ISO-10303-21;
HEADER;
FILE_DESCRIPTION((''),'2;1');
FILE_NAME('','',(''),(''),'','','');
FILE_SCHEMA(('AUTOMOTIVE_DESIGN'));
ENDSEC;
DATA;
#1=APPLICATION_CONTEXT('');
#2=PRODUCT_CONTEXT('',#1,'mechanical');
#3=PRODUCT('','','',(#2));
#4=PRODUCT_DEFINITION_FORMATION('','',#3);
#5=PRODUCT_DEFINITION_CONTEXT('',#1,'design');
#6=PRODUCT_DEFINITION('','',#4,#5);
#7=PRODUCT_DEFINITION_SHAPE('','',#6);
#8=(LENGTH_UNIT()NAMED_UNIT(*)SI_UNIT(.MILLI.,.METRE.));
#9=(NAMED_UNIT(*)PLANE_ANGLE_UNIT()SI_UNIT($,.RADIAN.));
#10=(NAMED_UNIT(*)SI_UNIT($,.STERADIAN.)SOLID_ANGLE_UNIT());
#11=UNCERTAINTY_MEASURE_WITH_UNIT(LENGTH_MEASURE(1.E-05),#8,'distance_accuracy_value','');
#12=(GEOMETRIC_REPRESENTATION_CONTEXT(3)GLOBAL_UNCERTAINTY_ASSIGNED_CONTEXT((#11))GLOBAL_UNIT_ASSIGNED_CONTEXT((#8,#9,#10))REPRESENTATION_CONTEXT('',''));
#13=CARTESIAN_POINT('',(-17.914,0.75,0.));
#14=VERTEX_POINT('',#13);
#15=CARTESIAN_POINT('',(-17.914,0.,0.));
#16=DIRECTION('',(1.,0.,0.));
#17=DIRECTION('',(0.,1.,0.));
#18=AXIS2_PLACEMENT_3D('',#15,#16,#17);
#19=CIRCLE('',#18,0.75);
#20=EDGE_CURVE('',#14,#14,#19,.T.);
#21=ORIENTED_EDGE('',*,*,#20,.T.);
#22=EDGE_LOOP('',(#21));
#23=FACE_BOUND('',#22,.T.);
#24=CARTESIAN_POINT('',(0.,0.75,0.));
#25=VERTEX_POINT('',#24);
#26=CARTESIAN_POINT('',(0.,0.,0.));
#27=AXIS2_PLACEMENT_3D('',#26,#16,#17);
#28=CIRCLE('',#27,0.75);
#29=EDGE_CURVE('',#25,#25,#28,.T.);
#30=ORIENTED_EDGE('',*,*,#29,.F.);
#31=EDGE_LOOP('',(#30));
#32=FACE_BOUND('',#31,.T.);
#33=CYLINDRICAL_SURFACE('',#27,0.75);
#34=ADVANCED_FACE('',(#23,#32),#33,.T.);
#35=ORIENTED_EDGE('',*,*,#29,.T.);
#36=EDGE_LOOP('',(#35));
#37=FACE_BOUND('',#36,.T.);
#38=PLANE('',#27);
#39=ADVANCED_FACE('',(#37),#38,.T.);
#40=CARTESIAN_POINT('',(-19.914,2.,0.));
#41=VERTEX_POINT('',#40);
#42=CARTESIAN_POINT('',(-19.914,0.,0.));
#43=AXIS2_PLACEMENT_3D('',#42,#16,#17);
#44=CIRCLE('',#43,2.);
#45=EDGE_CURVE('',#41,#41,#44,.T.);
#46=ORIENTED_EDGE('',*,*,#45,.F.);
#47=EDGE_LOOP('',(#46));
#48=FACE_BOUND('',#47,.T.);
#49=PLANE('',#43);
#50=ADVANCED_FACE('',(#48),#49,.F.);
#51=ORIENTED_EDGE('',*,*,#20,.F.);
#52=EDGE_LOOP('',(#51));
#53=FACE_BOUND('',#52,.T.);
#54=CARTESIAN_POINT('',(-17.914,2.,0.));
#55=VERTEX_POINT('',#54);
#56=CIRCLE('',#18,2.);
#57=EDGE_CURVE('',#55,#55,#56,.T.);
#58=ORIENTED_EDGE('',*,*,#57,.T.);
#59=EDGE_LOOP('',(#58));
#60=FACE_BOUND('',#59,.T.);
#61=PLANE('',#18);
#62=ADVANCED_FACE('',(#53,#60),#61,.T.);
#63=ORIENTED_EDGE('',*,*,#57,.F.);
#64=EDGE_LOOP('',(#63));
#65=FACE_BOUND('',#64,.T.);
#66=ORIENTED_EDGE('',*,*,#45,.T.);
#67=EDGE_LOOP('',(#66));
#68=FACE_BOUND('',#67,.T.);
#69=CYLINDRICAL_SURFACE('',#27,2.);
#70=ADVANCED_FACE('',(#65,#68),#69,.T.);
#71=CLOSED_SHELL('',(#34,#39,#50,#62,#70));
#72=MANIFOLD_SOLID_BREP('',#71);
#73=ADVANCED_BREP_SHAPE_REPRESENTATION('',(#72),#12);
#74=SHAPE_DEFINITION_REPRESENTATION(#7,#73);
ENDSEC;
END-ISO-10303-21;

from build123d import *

# Parameters (mm, degrees)
SKETCH1_W = 17.914000002
SKETCH1_H = 0.75


with BuildPart() as part:
    # Sketch1 → Revolve1 (revolve)
    with BuildSketch(Plane.XY):
        with Locations((-8.957000001, 0.375)):
            Rectangle(SKETCH1_W, SKETCH1_H)
        Polygon((-19.914000002, 0), (-17.914000002, 0), (-17.914000002, 0.75), (-17.914000002, 2), (-19.914000002, 2), align=None)
    revolve(axis=Axis((0, 0, 0), (-1, 0, 0)))


solid = part.part
